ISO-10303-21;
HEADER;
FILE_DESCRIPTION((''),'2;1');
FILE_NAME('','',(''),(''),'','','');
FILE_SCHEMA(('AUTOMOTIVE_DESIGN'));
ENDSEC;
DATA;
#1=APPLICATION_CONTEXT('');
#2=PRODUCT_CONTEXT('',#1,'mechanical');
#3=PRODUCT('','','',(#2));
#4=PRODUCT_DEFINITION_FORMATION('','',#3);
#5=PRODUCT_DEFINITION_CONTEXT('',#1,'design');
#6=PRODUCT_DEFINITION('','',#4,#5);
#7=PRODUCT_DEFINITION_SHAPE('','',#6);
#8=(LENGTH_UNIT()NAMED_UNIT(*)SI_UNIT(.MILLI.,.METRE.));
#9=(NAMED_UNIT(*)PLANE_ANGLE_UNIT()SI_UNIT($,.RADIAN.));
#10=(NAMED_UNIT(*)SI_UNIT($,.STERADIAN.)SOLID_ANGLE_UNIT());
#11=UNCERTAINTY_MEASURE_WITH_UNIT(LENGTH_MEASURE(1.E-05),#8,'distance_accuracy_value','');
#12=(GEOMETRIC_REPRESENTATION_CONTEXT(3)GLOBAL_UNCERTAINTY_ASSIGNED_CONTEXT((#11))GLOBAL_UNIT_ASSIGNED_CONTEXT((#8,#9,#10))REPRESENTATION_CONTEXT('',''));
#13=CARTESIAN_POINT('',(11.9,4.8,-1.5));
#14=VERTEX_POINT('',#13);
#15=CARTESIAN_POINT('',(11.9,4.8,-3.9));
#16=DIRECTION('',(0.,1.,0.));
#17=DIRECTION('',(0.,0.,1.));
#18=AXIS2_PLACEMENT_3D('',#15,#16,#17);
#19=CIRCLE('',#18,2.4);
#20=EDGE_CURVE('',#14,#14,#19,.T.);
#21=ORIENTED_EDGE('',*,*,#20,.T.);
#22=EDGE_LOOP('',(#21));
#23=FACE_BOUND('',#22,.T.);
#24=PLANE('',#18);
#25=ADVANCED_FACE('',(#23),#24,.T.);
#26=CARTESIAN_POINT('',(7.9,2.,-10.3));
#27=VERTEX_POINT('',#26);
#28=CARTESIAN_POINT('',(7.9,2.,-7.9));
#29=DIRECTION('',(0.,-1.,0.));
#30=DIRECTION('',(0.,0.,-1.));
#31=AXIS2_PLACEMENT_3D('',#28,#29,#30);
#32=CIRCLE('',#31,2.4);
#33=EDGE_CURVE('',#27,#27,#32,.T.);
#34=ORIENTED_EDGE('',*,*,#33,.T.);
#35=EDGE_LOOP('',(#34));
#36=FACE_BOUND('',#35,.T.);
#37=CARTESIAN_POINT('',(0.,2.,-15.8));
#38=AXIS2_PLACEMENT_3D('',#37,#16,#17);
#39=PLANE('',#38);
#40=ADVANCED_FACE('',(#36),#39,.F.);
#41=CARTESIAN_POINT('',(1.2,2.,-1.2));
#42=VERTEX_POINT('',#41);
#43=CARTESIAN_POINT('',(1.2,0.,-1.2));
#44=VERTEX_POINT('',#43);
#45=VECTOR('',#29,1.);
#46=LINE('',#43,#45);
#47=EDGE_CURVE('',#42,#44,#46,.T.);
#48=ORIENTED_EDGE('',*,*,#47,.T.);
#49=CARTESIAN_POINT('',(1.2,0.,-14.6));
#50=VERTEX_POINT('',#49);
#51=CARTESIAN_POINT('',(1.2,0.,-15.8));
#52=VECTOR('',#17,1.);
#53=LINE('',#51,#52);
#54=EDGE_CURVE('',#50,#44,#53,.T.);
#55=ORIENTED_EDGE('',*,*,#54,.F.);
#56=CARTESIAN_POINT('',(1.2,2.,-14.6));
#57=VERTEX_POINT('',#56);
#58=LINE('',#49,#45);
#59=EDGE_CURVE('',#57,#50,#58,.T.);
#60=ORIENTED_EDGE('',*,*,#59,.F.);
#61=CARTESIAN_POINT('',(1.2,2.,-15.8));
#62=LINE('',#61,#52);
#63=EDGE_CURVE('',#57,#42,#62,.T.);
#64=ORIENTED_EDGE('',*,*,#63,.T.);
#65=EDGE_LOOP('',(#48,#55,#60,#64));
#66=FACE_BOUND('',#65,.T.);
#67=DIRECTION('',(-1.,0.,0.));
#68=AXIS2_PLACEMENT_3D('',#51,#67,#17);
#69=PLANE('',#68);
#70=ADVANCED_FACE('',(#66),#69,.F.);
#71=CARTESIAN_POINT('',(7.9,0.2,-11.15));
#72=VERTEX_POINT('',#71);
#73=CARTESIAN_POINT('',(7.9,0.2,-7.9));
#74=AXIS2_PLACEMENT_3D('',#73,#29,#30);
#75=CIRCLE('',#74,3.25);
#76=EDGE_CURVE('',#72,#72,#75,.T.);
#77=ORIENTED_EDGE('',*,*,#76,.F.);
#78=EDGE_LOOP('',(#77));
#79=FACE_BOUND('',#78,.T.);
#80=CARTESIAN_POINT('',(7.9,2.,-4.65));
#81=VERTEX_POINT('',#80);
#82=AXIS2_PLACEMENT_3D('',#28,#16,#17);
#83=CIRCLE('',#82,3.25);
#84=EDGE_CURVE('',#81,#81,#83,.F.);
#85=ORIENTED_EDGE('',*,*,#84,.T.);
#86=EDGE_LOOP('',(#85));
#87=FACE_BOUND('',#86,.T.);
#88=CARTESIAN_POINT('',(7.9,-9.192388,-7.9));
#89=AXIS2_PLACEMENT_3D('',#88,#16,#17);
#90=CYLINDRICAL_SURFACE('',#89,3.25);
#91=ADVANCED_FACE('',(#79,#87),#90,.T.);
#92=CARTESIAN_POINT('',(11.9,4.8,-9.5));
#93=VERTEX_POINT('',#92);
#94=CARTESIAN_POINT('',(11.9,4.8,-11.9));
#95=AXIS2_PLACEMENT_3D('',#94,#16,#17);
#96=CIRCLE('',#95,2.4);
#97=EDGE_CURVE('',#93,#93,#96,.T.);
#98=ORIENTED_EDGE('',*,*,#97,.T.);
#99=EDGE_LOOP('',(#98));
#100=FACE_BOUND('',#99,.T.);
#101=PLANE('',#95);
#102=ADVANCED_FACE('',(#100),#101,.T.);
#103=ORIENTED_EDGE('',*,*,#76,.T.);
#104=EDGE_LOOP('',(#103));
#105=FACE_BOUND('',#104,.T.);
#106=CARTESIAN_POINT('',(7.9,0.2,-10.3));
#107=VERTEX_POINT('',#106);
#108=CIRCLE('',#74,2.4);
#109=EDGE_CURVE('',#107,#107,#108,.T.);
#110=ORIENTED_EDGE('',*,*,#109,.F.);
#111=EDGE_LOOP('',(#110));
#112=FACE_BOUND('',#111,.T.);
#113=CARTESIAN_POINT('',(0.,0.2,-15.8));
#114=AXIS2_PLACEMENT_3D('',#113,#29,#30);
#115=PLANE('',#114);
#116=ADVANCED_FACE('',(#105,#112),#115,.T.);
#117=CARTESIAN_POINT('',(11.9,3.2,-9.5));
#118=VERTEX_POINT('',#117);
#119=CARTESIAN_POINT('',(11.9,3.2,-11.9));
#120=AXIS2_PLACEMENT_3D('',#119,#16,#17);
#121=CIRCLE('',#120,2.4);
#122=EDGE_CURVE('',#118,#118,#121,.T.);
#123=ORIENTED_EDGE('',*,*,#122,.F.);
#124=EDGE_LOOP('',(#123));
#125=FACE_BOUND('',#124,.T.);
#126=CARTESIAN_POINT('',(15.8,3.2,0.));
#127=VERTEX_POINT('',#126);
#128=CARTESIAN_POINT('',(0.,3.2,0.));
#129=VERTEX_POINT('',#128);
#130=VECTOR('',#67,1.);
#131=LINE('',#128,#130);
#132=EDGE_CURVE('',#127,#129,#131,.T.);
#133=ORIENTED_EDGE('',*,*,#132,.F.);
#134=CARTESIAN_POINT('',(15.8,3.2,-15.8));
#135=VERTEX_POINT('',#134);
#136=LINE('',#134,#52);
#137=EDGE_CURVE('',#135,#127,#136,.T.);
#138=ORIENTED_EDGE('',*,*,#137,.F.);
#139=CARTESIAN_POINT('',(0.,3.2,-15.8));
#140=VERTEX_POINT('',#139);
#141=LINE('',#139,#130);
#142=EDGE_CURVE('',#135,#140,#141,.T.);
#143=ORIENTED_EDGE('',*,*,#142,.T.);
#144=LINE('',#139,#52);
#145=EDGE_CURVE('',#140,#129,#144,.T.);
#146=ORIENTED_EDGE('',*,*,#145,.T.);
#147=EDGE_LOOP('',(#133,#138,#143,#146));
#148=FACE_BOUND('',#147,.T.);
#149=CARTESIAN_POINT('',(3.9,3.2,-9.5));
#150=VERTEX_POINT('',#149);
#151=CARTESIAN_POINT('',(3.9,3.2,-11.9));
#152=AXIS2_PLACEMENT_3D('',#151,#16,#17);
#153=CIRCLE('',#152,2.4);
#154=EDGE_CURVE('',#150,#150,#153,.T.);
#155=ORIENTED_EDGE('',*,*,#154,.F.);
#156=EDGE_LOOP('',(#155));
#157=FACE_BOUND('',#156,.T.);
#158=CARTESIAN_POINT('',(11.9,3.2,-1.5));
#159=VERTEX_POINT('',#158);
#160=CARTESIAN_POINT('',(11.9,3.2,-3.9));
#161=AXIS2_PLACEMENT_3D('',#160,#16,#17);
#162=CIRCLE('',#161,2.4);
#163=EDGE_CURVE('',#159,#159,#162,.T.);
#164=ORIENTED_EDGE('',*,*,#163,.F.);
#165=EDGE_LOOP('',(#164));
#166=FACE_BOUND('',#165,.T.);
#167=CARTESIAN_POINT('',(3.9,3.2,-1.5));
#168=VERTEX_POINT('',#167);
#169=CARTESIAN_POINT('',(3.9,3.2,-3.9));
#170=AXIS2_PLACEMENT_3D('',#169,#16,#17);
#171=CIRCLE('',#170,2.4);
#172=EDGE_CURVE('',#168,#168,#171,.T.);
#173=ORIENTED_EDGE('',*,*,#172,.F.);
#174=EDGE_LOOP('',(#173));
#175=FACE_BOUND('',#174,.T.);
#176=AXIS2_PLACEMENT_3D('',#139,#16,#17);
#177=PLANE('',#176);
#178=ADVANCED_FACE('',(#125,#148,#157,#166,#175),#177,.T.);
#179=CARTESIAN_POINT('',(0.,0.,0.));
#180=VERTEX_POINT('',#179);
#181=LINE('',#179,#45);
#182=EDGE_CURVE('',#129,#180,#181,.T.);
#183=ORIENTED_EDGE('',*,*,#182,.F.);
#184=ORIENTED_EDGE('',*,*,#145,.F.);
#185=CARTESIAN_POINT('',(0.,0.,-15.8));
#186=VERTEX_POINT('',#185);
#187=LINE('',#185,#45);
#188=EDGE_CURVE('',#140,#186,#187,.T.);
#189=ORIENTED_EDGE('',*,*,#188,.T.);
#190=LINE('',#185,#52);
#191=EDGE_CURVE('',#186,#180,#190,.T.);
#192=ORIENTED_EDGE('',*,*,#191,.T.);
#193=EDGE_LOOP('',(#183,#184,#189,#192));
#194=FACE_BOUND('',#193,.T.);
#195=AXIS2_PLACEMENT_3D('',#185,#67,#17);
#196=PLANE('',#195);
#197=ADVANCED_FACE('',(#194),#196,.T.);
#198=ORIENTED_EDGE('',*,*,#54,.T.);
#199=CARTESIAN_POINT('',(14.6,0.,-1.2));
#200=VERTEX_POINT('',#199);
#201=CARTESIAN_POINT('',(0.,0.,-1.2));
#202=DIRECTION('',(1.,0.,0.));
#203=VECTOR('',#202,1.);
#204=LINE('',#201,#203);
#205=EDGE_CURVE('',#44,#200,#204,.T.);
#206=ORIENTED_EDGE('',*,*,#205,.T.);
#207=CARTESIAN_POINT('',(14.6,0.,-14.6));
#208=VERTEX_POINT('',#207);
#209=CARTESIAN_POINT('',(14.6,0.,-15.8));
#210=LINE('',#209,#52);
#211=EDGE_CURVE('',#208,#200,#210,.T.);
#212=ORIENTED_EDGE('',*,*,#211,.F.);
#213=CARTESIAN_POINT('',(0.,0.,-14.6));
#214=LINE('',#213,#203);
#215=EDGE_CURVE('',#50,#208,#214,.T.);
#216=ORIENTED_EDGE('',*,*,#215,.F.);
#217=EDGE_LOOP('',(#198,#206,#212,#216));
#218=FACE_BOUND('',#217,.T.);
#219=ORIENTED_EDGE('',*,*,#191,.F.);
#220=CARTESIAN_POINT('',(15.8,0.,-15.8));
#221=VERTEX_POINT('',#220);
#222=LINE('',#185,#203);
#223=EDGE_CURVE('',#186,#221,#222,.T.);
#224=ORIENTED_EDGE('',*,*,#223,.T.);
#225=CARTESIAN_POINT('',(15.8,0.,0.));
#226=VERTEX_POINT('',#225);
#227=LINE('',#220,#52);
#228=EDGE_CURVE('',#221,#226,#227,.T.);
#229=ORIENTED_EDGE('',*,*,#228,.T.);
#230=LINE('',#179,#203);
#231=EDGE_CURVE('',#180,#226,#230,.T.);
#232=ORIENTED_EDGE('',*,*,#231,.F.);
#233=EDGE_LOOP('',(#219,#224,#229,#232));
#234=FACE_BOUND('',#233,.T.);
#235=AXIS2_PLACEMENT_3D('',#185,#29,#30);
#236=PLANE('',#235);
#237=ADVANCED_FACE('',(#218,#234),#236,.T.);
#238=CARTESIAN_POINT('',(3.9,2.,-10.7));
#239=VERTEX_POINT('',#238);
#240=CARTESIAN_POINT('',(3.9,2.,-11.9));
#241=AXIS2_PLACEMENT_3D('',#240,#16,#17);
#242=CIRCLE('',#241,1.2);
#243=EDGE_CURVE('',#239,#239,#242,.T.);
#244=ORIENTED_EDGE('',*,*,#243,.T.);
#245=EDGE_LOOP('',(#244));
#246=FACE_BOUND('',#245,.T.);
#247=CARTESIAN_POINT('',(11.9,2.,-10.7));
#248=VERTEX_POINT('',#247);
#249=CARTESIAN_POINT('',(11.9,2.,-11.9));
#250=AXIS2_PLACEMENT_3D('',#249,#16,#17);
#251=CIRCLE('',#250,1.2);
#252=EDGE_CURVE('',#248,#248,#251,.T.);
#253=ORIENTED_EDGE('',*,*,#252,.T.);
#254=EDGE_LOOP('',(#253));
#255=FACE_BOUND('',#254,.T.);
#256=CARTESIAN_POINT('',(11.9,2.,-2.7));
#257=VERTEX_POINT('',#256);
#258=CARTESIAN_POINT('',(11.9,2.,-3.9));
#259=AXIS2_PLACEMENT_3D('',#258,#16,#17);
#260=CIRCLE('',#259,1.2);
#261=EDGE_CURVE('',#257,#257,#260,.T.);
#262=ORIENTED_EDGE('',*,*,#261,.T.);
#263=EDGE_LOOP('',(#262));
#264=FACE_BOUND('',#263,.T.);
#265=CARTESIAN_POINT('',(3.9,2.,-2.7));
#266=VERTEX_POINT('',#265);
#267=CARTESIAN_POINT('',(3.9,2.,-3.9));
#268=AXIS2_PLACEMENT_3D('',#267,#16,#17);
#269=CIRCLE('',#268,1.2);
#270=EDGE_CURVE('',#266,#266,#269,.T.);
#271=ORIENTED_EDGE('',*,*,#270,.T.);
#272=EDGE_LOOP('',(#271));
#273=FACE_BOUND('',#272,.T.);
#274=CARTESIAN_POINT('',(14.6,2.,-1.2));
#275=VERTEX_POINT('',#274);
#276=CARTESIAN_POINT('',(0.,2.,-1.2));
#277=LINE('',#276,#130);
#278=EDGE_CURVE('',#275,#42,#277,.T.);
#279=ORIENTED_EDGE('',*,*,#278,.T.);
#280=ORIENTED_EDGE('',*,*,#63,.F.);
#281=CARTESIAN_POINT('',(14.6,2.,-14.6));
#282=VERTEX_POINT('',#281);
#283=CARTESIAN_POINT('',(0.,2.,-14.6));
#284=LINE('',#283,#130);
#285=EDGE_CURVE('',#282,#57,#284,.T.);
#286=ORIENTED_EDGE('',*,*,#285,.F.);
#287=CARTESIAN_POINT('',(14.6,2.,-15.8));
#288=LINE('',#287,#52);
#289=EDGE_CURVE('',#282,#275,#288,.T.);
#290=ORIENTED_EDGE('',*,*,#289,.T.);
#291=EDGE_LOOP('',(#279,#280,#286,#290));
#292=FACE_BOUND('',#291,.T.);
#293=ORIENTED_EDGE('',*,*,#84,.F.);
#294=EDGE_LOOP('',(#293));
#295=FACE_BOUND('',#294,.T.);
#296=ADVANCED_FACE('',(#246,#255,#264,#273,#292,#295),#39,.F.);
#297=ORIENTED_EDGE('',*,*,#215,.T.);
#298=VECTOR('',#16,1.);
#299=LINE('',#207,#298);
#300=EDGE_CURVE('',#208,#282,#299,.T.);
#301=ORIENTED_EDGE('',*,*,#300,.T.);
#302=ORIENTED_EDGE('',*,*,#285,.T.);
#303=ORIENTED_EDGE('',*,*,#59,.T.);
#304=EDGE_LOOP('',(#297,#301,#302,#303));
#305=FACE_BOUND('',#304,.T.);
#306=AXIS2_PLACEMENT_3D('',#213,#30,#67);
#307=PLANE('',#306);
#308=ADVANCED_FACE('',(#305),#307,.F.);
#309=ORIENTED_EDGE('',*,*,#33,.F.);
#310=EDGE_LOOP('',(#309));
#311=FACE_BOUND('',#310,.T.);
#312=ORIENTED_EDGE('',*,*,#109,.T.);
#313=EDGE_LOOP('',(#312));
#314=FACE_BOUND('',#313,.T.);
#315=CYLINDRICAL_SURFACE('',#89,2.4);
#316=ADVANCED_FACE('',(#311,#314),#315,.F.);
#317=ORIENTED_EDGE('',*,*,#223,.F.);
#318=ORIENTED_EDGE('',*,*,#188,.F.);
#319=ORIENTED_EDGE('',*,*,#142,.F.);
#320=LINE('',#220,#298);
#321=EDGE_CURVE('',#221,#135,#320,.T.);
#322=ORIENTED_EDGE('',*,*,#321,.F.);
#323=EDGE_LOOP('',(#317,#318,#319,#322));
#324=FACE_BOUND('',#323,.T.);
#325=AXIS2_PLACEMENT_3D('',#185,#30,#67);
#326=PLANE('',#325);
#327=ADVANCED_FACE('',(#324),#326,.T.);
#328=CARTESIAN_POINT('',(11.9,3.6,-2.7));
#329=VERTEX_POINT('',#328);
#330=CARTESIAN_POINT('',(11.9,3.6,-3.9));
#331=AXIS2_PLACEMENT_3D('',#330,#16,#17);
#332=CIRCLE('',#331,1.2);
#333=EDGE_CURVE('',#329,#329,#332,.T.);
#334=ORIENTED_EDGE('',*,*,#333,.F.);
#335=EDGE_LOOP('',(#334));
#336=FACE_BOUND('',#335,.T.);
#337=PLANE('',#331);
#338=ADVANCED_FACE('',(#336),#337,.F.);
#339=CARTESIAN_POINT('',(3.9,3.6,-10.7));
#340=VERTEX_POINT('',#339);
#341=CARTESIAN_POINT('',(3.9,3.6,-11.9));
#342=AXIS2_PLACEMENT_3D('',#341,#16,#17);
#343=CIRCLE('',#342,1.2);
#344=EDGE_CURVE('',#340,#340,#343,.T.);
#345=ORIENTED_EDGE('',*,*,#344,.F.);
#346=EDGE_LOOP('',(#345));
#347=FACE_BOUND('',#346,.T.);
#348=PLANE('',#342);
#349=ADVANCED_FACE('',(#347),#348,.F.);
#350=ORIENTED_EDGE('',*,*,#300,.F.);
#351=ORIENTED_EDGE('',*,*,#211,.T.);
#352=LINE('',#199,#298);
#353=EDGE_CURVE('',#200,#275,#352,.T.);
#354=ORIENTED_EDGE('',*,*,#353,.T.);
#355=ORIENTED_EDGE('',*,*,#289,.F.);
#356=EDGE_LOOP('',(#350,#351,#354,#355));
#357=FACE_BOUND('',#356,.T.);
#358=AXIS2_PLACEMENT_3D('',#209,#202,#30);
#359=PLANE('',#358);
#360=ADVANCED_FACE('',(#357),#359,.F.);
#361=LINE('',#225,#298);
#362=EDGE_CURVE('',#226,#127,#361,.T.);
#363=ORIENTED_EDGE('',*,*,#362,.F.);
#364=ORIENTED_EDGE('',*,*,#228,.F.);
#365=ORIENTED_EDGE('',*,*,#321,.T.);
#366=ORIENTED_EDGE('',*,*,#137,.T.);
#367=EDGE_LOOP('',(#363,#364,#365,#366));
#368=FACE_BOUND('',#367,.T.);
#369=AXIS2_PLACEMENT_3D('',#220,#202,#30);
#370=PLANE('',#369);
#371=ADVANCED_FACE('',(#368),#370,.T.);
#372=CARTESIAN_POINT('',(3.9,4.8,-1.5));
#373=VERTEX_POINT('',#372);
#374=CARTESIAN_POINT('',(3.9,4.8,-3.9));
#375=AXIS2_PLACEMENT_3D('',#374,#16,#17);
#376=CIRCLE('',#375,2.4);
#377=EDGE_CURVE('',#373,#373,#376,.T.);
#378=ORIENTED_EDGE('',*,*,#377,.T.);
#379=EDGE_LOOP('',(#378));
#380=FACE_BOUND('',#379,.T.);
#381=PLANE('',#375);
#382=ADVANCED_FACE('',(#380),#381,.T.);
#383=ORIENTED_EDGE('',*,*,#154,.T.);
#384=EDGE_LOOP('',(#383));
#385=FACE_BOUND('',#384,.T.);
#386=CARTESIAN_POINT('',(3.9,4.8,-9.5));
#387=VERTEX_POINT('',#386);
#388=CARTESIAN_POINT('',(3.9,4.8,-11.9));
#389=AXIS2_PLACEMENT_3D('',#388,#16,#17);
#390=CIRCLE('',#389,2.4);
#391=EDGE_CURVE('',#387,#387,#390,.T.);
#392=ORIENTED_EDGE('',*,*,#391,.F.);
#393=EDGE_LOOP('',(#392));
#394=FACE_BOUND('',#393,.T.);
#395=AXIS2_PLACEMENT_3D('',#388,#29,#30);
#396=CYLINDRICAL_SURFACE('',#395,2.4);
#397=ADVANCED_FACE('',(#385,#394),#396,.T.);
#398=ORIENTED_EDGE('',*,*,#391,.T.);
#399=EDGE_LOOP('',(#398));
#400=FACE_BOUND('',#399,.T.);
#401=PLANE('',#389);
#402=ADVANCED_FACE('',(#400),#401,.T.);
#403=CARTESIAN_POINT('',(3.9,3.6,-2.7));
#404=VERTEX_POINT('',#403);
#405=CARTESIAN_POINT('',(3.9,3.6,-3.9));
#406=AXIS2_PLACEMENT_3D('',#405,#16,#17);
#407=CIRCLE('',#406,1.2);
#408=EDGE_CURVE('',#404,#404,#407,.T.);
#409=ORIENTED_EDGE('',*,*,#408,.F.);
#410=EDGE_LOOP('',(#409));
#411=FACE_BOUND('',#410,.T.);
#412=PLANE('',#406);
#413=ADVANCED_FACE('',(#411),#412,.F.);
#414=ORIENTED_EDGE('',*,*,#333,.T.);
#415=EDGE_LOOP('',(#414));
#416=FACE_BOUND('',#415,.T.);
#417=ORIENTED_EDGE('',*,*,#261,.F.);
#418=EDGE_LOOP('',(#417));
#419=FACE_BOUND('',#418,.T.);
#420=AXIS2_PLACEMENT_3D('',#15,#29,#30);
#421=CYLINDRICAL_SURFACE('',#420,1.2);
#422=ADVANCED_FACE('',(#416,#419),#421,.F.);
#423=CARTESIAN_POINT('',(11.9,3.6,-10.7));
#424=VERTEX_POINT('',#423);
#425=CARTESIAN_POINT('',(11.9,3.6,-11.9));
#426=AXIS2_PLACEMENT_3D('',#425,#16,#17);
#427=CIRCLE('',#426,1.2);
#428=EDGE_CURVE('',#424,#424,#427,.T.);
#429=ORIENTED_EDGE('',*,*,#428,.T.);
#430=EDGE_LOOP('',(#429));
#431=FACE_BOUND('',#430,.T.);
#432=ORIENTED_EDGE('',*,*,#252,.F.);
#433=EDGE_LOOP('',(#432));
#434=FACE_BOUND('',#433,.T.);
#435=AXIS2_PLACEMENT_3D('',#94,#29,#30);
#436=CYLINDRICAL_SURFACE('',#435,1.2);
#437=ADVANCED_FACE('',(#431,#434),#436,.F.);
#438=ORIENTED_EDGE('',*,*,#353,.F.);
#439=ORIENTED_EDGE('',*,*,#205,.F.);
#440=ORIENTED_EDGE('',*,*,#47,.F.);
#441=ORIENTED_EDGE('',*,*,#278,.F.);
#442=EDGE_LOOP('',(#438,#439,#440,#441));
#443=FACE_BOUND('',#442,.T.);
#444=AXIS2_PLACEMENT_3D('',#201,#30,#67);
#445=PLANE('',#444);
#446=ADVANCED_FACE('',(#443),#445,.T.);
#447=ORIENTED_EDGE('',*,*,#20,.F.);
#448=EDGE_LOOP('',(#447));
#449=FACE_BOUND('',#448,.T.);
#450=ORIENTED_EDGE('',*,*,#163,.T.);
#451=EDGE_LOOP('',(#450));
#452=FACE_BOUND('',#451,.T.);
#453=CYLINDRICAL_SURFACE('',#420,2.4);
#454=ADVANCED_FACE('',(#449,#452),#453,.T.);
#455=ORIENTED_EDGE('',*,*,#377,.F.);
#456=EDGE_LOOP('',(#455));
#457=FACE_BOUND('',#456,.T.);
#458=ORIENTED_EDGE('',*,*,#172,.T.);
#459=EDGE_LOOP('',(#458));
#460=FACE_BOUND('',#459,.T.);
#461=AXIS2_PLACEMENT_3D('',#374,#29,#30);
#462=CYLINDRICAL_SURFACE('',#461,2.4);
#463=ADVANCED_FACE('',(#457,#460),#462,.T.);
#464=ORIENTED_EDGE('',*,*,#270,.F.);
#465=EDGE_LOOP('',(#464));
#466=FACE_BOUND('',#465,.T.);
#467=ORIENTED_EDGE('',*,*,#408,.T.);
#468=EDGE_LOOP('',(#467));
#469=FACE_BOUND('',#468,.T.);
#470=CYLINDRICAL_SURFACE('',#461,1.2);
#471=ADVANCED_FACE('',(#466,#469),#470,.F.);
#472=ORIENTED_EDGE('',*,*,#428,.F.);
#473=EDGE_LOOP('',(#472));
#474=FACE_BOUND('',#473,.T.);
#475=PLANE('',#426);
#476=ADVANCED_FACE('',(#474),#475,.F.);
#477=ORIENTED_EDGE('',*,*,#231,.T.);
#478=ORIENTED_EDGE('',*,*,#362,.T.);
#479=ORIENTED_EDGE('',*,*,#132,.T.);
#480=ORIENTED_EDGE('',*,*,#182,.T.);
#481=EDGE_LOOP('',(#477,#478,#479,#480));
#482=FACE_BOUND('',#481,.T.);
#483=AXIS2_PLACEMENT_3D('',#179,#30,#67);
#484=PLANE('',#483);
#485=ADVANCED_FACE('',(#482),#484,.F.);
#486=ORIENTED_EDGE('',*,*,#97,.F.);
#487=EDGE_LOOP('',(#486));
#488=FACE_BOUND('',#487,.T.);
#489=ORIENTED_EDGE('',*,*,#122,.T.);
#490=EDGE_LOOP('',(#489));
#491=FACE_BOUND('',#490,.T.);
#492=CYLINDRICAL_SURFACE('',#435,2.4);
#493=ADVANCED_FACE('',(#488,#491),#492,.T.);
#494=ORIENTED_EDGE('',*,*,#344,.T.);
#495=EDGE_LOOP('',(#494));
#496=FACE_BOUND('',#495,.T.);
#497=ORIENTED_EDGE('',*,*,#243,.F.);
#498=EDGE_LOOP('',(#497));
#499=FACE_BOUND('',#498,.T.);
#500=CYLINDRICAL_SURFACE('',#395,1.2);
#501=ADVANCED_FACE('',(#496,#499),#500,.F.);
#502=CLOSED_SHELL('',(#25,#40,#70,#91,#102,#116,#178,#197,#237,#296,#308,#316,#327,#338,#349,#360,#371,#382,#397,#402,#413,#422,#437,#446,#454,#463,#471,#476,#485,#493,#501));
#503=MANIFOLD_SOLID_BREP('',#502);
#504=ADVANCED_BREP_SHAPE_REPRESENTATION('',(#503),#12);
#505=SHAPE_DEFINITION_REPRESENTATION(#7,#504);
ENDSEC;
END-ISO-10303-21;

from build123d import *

# Parameters (mm, degrees)
SKETCH1_W            = 15.8
SKETCH1_H            = 3.2
BOSS_EXTRUDE1_DEPTH  = 15.8
SKETCH2_R            = 2.4
BOSS_EXTRUDE2_DEPTH  = 1.6
LPATTERN1_COUNT      = 2
LPATTERN1_PITCH      = 8
LPATTERN1_COUNT_DIR2 = 4
LPATTERN1_PITCH_DIR2 = 8
SHELL1_T             = -1.2
SKETCH4_R            = 3.25
SKETCH4_R_2          = 2.4
BOSS_EXTRUDE3_DEPTH  = 1.8


with BuildPart() as part:
    # Sketch1 → Boss-Extrude1 (new body)
    with BuildSketch(Plane.XY):
        with Locations((7.9, 1.6)):
            Rectangle(SKETCH1_W, SKETCH1_H)
    extrude(amount=-BOSS_EXTRUDE1_DEPTH)

    # Sketch2 → Boss-Extrude2 (add)
    with BuildSketch(Plane(origin=(0, 3.2, 0), x_dir=(1, 0, 0), z_dir=(0, 1, 0))):
        with Locations(Location((3.9, 3.9, 0), (0, 0, 270))):
            Circle(SKETCH2_R)
    boss_extrude2 = extrude(amount=BOSS_EXTRUDE2_DEPTH)

    # LPattern1: Boss-Extrude2 2 × 4, 4 skipped
    with Locations(*[(j * LPATTERN1_PITCH_DIR2, 0, -i * LPATTERN1_PITCH) for i in range(LPATTERN1_COUNT) for j in range(LPATTERN1_COUNT_DIR2) if (i, j) not in ((0, 0), (0, 2), (0, 3), (1, 2), (1, 3))]):
        add(boss_extrude2)

    # Shell1
    shell1_openings = [part.faces().sort_by_distance(p)[0] for p in [
        (7.9, 0, -7.9),
    ]]
    offset(amount=SHELL1_T, openings=shell1_openings, kind=Kind.INTERSECTION)

    # Sketch4 → Boss-Extrude3 (add)
    with BuildSketch(Plane.XZ.offset(-2)):
        with Locations(Location((7.9, -7.9, 0), (0, 0, 90))):
            Circle(SKETCH4_R)
        with Locations(Location((7.9, -7.9, 0), (0, 0, 270))):
            Circle(SKETCH4_R_2, mode=Mode.SUBTRACT)
    extrude(amount=BOSS_EXTRUDE3_DEPTH)


solid = part.part
